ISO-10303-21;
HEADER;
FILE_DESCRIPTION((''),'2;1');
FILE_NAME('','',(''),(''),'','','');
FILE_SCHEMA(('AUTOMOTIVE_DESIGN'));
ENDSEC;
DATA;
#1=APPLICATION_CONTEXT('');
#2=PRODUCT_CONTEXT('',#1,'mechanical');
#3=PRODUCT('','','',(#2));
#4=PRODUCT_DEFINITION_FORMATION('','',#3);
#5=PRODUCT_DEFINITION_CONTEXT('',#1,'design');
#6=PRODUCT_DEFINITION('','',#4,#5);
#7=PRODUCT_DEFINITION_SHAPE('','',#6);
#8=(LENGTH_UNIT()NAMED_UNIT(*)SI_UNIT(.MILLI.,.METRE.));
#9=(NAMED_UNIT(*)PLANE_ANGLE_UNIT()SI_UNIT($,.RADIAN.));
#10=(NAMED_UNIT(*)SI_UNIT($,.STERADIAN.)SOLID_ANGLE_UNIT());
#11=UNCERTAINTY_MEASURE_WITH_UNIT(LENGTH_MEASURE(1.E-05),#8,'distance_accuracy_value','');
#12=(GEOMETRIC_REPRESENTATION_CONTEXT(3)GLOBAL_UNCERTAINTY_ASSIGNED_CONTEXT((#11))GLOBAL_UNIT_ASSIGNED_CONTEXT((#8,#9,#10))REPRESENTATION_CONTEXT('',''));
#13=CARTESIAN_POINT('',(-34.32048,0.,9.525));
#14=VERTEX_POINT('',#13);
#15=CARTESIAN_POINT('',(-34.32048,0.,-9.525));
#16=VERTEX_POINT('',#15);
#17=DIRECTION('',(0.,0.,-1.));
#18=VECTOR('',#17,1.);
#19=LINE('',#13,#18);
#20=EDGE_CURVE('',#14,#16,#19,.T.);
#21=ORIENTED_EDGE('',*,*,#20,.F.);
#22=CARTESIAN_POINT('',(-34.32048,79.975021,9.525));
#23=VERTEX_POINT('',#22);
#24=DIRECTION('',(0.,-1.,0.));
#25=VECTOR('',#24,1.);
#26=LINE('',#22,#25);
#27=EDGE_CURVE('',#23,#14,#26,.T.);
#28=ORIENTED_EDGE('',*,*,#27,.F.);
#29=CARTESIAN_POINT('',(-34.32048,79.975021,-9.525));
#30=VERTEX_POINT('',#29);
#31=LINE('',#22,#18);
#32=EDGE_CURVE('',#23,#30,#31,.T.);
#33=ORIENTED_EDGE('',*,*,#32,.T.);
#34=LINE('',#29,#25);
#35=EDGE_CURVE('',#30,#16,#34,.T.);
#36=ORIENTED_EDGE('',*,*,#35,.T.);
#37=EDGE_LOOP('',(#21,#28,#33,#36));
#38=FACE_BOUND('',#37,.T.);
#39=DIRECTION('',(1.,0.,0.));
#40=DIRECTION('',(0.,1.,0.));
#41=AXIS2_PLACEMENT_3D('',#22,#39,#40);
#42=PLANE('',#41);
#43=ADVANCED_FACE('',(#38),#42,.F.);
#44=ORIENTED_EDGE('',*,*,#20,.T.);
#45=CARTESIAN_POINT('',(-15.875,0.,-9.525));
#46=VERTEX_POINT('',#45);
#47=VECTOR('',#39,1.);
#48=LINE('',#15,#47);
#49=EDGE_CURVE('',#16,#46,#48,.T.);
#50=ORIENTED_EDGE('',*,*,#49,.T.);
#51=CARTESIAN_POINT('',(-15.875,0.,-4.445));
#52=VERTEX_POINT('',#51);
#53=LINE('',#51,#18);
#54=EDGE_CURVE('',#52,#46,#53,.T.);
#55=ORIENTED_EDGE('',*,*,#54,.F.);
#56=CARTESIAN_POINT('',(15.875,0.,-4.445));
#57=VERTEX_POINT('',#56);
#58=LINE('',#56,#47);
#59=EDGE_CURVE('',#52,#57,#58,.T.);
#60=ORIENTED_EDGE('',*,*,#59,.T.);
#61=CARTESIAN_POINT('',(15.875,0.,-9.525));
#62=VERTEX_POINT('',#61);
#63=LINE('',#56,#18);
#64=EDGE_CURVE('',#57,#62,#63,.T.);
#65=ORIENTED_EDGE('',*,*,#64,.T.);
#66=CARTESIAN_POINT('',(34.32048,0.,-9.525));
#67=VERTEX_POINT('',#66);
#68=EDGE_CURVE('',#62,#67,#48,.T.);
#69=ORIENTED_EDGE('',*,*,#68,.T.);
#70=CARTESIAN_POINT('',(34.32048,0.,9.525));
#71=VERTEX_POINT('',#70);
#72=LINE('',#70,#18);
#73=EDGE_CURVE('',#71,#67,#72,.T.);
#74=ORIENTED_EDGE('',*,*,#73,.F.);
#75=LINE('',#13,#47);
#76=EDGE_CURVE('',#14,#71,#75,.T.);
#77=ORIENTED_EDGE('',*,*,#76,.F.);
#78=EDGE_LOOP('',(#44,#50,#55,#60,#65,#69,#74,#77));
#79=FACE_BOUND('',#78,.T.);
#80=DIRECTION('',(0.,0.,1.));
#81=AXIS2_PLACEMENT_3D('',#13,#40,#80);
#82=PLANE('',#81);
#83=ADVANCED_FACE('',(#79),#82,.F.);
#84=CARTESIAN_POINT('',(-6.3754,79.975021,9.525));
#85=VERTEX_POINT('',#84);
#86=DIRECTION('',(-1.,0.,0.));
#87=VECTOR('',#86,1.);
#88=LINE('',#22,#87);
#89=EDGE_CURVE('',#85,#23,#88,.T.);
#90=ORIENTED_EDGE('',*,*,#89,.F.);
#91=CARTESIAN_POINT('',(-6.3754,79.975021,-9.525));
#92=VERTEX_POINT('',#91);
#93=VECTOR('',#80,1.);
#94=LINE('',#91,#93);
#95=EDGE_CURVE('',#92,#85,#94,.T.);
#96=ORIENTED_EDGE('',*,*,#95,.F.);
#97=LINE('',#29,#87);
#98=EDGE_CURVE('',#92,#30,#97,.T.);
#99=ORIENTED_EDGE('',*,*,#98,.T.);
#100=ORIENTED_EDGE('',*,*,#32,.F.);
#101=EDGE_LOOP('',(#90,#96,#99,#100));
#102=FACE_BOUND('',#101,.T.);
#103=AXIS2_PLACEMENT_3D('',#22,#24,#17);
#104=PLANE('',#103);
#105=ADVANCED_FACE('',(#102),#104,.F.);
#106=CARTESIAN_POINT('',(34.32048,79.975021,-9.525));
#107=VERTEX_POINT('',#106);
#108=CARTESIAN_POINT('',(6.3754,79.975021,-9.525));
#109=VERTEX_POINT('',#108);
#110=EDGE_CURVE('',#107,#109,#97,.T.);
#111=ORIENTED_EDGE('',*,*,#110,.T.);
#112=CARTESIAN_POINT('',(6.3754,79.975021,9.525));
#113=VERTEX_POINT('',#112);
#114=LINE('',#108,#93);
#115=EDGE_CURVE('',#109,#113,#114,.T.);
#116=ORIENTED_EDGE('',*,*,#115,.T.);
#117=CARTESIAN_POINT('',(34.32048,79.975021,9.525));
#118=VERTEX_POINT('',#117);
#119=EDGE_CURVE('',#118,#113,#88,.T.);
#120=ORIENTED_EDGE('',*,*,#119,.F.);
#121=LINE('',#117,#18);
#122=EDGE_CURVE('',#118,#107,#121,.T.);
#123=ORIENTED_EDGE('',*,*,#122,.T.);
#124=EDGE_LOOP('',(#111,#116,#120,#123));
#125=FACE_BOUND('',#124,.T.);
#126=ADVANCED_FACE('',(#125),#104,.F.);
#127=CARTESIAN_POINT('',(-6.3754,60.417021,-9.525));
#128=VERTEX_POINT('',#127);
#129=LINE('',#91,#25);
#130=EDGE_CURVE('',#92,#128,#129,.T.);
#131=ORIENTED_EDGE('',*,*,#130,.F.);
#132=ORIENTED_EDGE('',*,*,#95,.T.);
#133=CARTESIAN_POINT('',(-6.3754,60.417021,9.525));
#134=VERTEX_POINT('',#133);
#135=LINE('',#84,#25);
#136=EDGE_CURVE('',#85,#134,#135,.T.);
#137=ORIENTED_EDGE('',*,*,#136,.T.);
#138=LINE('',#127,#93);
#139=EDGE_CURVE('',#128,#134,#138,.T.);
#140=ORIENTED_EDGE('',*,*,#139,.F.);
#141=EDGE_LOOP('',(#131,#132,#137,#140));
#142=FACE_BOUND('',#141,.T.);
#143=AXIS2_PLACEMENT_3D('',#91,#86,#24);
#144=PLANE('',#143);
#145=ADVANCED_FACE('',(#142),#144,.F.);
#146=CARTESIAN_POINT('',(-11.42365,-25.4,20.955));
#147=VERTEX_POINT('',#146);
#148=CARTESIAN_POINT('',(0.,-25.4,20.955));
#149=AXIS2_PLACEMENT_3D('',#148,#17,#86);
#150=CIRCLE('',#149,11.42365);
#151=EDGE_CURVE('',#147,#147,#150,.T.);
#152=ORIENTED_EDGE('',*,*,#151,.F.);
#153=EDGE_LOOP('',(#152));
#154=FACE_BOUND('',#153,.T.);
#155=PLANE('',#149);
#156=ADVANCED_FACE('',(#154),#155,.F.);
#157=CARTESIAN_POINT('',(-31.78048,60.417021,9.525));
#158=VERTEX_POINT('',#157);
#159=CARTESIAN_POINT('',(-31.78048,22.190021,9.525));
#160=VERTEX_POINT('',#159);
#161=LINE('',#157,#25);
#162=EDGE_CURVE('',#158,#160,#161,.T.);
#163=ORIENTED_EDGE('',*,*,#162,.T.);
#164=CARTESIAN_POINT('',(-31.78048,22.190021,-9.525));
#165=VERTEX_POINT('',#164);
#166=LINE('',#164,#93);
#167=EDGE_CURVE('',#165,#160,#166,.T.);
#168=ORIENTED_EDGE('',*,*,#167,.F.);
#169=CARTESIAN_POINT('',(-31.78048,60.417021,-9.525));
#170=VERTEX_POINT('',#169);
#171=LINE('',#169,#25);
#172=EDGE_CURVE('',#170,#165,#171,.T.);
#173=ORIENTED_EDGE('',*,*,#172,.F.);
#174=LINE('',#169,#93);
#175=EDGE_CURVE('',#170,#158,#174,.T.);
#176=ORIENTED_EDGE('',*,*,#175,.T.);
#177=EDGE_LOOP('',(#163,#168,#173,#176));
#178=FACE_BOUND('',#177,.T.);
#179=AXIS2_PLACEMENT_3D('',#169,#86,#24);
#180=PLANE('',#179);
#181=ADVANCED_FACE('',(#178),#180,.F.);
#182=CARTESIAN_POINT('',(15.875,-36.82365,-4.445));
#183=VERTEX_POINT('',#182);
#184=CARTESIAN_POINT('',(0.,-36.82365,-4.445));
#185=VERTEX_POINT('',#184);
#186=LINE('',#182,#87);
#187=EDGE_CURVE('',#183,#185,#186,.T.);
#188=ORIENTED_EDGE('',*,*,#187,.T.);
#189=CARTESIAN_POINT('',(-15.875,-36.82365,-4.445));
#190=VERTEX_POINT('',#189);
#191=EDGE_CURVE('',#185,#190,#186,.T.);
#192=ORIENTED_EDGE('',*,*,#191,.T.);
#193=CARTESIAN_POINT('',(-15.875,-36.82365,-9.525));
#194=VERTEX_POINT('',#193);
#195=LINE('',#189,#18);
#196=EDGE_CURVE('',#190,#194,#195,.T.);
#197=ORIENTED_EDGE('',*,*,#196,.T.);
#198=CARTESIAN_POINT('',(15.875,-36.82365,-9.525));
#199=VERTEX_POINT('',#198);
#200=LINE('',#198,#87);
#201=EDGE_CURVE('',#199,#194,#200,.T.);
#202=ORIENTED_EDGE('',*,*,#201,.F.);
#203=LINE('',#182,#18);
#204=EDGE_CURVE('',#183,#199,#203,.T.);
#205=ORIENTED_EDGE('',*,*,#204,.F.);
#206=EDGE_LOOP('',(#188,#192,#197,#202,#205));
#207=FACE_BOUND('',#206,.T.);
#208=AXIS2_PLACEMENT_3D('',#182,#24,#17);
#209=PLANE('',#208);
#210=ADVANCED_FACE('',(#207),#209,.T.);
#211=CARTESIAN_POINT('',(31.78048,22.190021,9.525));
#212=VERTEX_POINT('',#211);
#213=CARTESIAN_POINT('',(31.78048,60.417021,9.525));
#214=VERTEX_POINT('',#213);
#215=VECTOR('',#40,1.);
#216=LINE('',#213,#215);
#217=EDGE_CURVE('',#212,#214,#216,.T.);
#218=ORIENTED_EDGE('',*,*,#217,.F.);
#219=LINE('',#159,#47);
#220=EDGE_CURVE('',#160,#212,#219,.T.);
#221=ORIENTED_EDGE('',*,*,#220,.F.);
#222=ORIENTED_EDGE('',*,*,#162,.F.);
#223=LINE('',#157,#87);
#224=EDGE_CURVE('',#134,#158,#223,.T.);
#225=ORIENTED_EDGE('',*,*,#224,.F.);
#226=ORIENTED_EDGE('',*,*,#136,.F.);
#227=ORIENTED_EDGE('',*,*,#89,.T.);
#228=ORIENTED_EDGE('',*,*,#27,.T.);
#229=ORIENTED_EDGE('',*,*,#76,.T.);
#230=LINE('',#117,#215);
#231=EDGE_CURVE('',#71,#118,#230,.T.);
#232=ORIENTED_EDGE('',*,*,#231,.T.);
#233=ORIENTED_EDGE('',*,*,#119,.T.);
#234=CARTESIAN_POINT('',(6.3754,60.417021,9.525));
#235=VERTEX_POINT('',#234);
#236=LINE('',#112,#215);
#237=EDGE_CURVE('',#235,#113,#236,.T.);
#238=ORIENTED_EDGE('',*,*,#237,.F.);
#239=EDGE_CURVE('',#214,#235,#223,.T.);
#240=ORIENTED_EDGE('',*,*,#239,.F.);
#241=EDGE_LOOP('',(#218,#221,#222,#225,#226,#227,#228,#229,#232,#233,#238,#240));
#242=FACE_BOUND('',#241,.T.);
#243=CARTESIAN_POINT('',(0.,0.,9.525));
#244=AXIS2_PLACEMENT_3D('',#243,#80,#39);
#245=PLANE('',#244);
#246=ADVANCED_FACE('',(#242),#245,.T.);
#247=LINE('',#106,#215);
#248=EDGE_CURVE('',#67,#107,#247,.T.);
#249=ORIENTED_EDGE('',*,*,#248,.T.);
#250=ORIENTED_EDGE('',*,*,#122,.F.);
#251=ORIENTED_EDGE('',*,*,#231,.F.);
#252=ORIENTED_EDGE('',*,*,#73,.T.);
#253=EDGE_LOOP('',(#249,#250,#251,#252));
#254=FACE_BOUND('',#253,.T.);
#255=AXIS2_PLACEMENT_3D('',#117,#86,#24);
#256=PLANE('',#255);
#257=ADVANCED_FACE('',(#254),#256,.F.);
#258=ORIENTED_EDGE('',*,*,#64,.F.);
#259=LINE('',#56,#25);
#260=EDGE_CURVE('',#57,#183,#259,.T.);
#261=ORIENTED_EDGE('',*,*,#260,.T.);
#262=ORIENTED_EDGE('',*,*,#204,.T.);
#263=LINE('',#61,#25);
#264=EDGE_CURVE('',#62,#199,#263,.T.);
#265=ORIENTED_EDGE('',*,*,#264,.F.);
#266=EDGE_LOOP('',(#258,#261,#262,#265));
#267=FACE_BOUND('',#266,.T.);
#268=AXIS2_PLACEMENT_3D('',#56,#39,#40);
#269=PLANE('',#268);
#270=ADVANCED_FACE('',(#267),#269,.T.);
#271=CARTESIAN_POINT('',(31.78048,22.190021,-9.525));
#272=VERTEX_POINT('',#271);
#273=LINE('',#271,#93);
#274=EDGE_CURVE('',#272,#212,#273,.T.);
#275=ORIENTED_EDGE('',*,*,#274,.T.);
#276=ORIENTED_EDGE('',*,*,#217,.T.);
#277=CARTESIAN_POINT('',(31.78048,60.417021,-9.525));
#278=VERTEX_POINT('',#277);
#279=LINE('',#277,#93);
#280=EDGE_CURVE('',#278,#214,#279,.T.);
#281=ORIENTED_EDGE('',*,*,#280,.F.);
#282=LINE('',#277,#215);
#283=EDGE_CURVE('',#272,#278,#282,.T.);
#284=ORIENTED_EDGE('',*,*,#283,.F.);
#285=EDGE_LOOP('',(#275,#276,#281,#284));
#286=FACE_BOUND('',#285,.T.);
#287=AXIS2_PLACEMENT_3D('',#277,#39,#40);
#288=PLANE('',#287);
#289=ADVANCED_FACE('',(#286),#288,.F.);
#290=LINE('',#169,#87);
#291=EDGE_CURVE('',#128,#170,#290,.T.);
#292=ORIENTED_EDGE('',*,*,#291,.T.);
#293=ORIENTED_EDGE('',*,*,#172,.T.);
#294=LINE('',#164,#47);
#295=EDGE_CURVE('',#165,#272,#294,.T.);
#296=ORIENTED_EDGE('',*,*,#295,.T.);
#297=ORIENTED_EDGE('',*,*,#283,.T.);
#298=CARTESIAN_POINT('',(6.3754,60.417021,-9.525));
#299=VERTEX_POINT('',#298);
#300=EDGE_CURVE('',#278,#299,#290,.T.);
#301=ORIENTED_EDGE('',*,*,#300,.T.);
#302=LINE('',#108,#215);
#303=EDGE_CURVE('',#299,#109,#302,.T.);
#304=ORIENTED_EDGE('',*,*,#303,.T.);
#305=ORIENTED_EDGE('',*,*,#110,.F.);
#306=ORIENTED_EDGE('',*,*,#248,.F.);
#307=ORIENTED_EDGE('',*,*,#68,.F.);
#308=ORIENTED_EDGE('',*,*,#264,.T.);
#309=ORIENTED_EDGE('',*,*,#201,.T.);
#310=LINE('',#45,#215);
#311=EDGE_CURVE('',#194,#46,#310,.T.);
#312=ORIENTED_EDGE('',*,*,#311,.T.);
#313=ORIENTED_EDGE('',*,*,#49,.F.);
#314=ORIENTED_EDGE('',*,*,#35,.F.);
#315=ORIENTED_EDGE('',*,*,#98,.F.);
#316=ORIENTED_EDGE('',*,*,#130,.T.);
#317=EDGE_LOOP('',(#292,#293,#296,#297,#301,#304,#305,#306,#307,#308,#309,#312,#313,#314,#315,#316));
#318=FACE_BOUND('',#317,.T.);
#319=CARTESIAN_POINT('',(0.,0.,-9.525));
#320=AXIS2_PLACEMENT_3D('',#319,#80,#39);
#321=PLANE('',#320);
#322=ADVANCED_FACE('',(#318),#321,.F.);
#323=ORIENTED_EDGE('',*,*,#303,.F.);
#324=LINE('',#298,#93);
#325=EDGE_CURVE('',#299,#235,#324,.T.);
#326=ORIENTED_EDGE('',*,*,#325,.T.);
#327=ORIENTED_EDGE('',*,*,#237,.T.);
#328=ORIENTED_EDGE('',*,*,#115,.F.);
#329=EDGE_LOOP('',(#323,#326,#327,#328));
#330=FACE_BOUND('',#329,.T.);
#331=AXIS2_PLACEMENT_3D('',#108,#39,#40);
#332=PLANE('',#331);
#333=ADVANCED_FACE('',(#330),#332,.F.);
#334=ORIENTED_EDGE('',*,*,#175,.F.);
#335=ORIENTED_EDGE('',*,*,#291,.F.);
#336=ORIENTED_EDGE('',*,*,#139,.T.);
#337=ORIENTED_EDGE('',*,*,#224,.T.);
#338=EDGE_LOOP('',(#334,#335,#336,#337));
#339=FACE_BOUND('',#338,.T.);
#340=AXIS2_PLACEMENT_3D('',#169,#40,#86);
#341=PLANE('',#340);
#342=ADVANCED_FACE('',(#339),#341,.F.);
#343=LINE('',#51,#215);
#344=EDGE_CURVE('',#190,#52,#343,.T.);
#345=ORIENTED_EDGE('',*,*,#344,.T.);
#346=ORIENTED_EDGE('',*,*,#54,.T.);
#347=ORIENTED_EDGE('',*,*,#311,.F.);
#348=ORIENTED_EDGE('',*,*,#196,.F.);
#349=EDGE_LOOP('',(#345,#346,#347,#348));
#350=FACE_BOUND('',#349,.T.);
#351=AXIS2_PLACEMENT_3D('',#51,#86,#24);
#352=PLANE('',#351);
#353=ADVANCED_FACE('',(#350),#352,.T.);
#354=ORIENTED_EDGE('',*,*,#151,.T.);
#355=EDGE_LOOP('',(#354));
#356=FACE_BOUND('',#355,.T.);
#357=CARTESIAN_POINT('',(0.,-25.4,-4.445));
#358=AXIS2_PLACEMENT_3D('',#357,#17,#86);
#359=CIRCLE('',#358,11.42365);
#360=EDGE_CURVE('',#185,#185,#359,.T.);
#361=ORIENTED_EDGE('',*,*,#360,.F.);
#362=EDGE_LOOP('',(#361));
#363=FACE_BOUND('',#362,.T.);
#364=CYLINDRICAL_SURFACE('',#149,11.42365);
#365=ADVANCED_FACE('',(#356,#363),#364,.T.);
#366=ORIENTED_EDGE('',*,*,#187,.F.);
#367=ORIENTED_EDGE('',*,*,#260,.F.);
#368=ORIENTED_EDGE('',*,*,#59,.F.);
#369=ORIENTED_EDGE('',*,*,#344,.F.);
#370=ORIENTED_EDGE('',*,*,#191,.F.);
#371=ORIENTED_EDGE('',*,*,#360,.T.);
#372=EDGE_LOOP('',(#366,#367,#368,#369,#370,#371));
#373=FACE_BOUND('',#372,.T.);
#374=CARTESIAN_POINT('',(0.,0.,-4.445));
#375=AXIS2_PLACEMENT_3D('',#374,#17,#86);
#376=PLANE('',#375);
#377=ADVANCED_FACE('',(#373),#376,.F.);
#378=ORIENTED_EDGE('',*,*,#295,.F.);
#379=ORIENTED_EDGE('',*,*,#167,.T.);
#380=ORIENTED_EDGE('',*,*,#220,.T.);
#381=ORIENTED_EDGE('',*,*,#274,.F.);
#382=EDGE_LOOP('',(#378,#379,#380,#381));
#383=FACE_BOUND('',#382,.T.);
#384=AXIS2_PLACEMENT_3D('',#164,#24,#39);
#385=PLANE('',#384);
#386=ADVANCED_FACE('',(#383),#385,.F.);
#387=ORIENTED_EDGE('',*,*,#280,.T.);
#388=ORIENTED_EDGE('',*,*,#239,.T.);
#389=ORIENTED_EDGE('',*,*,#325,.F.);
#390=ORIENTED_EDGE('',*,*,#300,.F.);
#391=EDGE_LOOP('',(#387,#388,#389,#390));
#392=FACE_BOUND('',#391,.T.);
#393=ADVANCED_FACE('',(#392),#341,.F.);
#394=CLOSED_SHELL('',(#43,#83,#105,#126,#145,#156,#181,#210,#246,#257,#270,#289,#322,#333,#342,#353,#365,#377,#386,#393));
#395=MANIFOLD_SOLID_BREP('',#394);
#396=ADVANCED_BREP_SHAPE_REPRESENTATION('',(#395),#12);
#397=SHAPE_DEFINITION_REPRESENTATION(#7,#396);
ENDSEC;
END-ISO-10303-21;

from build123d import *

# Parameters (mm, degrees)
SKETCH1_W            = 68.64096
SKETCH1_H            = 79.975020836
MAIN_BODY_DEPTH      = 9.525
SKETCH2_W            = 63.56096
SKETCH2_H            = 38.227
LOWER_T_CAVITY_DEPTH = 90.088729956
SKETCH3_W            = 12.7508
SKETCH3_H            = 19.558
TOP_SLOT_DEPTH       = 90.088729956
SKETCH4_W            = 31.75
SKETCH4_H            = 36.82365
HANGER_DEPTH         = 5.08
SKETCH5_R            = 11.42365
STRAP_PIN_DEPTH      = 30.48


with BuildPart() as part:
    # Sketch1 → Main-Body (new, symmetric)
    with BuildSketch(Plane.XY):
        with Locations((0, 39.987510418)):
            Rectangle(SKETCH1_W, SKETCH1_H)
    extrude(amount=MAIN_BODY_DEPTH, both=True)

    # Sketch2 → Lower-T-Cavity (cut, through all)
    with BuildSketch(Plane.XY.offset(9.525)):
        with Locations((0, 41.303520836)):
            Rectangle(SKETCH2_W, SKETCH2_H)
    extrude(amount=-LOWER_T_CAVITY_DEPTH, mode=Mode.SUBTRACT)

    # Sketch3 → Top-Slot (cut, through all)
    with BuildSketch(Plane.XY.offset(9.525)):
        with Locations((0, 70.196020836)):
            Rectangle(SKETCH3_W, SKETCH3_H)
    extrude(amount=-TOP_SLOT_DEPTH, mode=Mode.SUBTRACT)

    # Sketch4 → Hanger (add)
    with BuildSketch(Plane(origin=(0, 0, -9.525), x_dir=(-1, 0, 0), z_dir=(0, 0, -1))):
        with Locations((0, -18.411825)):
            Rectangle(SKETCH4_W, SKETCH4_H)
    extrude(amount=-HANGER_DEPTH)

    # Sketch5 → Strap-Pin (add)
    with BuildSketch(Plane(origin=(0, 0, -9.525), x_dir=(-1, 0, 0), z_dir=(0, 0, -1))):
        with Locations((0, -25.4)):
            Circle(SKETCH5_R)
    extrude(amount=-STRAP_PIN_DEPTH)


solid = part.part
